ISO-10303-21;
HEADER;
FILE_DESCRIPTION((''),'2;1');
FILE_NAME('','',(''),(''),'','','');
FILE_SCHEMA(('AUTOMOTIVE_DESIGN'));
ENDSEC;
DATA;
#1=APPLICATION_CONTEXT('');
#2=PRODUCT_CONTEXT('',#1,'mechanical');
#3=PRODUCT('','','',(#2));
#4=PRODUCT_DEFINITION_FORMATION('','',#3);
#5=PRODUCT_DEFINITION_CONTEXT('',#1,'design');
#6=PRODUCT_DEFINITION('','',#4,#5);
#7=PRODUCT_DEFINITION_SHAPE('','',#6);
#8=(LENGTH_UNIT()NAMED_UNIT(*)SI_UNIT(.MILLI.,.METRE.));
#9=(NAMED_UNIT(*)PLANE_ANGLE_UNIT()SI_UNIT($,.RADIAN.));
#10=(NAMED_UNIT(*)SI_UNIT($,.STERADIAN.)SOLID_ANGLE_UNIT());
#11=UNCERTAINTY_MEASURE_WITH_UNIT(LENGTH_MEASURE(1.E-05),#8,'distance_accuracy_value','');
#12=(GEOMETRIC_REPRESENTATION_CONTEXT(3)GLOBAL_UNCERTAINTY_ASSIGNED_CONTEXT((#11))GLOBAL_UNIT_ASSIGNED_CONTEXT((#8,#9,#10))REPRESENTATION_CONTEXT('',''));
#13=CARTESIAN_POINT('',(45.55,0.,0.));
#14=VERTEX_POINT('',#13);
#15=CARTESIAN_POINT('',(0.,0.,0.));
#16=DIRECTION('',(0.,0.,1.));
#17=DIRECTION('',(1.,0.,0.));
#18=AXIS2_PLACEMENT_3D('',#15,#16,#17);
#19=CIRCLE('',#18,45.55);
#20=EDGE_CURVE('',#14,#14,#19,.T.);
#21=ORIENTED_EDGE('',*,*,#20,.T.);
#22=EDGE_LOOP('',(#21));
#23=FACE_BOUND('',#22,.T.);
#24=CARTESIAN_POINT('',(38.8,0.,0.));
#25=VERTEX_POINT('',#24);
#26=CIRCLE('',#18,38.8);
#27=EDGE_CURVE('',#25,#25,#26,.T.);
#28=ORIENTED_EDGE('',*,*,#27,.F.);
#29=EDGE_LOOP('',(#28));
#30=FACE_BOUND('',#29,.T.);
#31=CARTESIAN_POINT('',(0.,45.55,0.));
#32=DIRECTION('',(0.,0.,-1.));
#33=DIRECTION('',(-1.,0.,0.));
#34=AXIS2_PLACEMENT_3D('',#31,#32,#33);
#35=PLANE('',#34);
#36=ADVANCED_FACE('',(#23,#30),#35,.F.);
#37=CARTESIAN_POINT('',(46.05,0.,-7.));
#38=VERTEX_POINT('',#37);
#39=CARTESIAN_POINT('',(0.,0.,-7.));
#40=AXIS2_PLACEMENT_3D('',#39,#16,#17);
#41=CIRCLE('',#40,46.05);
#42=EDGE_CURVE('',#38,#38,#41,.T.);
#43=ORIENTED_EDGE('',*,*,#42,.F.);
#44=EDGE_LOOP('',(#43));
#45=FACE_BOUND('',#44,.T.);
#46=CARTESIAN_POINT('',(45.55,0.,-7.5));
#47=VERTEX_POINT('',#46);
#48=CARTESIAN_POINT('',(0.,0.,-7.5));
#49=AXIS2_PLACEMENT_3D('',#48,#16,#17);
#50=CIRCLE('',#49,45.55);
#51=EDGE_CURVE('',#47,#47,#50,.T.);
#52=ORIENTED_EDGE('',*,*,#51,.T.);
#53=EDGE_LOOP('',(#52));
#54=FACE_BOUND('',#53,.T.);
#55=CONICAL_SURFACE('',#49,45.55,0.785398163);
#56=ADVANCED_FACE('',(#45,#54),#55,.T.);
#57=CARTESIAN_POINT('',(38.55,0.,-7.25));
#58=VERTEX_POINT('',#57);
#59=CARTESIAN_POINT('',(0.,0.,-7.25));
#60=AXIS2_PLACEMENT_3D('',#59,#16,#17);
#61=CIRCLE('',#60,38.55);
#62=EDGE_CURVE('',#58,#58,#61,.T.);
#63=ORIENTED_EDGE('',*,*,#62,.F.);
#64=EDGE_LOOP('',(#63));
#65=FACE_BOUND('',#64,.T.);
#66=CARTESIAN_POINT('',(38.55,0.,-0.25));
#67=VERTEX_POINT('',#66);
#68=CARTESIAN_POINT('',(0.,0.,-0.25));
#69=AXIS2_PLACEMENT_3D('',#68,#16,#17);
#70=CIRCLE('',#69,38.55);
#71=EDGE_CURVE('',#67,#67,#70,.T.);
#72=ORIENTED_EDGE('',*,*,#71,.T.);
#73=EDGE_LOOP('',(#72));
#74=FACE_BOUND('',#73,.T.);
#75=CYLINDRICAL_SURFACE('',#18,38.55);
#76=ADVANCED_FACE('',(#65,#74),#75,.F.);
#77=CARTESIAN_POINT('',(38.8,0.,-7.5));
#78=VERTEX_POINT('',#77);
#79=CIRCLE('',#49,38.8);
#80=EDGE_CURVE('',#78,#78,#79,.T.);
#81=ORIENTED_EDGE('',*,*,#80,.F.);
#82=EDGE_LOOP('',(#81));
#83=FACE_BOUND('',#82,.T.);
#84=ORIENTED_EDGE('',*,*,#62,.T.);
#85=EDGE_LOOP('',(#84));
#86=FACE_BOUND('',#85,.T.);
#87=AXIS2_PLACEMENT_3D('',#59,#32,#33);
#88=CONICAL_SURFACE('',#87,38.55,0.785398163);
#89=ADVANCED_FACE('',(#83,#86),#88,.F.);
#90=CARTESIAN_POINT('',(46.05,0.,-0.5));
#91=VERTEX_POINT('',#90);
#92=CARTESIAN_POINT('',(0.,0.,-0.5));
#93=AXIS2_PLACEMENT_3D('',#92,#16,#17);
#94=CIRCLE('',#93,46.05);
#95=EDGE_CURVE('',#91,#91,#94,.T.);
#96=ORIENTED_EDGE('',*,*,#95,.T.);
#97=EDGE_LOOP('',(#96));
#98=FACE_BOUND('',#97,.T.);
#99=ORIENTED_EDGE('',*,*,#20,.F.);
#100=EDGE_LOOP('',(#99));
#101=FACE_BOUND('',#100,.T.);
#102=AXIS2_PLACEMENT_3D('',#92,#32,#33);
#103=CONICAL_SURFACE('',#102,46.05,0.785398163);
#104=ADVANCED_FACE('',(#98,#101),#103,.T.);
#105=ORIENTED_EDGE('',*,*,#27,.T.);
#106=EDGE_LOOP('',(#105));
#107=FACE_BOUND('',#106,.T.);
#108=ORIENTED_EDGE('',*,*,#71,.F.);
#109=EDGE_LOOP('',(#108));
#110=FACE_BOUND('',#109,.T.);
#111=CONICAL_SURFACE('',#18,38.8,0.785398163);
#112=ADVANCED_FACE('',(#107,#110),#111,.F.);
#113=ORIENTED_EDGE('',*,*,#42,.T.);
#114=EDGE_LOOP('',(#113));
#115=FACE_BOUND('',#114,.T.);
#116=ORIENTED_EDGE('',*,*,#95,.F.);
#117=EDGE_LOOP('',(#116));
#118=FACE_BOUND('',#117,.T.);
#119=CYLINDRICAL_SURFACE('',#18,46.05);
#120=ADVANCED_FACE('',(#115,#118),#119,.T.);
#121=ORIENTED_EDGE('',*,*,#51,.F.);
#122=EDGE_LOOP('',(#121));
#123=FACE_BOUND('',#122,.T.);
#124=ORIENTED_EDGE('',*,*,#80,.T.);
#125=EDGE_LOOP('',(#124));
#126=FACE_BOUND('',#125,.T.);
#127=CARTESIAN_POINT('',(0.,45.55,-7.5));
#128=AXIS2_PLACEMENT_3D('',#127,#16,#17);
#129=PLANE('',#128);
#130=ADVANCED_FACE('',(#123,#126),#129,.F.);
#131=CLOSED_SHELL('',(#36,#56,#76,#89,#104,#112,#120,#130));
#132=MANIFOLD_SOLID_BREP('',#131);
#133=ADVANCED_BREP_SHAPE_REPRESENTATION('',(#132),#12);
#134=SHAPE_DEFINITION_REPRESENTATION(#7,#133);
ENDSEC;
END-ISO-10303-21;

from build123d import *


with BuildPart() as part:
    # Sketch1 → Revolve1 (revolve)
    with BuildSketch(Plane(origin=(0, 0, 0), x_dir=(0, 0, -1), z_dir=(1, 0, 0)), mode=Mode.PRIVATE) as revolve1_sk:
        Polygon((0, 38.8), (0.25, 38.55), (7.25, 38.55), (7.5, 38.8), (7.5, 45.55), (7, 46.05), (0.5, 46.05), (0, 45.55), align=None)
    revolve(revolve1_sk.sketch.rotate(Axis((0, 0, 0), (0, 0, -1)), 90), axis=Axis((0, 0, 0), (0, 0, -1)))


solid = part.part
